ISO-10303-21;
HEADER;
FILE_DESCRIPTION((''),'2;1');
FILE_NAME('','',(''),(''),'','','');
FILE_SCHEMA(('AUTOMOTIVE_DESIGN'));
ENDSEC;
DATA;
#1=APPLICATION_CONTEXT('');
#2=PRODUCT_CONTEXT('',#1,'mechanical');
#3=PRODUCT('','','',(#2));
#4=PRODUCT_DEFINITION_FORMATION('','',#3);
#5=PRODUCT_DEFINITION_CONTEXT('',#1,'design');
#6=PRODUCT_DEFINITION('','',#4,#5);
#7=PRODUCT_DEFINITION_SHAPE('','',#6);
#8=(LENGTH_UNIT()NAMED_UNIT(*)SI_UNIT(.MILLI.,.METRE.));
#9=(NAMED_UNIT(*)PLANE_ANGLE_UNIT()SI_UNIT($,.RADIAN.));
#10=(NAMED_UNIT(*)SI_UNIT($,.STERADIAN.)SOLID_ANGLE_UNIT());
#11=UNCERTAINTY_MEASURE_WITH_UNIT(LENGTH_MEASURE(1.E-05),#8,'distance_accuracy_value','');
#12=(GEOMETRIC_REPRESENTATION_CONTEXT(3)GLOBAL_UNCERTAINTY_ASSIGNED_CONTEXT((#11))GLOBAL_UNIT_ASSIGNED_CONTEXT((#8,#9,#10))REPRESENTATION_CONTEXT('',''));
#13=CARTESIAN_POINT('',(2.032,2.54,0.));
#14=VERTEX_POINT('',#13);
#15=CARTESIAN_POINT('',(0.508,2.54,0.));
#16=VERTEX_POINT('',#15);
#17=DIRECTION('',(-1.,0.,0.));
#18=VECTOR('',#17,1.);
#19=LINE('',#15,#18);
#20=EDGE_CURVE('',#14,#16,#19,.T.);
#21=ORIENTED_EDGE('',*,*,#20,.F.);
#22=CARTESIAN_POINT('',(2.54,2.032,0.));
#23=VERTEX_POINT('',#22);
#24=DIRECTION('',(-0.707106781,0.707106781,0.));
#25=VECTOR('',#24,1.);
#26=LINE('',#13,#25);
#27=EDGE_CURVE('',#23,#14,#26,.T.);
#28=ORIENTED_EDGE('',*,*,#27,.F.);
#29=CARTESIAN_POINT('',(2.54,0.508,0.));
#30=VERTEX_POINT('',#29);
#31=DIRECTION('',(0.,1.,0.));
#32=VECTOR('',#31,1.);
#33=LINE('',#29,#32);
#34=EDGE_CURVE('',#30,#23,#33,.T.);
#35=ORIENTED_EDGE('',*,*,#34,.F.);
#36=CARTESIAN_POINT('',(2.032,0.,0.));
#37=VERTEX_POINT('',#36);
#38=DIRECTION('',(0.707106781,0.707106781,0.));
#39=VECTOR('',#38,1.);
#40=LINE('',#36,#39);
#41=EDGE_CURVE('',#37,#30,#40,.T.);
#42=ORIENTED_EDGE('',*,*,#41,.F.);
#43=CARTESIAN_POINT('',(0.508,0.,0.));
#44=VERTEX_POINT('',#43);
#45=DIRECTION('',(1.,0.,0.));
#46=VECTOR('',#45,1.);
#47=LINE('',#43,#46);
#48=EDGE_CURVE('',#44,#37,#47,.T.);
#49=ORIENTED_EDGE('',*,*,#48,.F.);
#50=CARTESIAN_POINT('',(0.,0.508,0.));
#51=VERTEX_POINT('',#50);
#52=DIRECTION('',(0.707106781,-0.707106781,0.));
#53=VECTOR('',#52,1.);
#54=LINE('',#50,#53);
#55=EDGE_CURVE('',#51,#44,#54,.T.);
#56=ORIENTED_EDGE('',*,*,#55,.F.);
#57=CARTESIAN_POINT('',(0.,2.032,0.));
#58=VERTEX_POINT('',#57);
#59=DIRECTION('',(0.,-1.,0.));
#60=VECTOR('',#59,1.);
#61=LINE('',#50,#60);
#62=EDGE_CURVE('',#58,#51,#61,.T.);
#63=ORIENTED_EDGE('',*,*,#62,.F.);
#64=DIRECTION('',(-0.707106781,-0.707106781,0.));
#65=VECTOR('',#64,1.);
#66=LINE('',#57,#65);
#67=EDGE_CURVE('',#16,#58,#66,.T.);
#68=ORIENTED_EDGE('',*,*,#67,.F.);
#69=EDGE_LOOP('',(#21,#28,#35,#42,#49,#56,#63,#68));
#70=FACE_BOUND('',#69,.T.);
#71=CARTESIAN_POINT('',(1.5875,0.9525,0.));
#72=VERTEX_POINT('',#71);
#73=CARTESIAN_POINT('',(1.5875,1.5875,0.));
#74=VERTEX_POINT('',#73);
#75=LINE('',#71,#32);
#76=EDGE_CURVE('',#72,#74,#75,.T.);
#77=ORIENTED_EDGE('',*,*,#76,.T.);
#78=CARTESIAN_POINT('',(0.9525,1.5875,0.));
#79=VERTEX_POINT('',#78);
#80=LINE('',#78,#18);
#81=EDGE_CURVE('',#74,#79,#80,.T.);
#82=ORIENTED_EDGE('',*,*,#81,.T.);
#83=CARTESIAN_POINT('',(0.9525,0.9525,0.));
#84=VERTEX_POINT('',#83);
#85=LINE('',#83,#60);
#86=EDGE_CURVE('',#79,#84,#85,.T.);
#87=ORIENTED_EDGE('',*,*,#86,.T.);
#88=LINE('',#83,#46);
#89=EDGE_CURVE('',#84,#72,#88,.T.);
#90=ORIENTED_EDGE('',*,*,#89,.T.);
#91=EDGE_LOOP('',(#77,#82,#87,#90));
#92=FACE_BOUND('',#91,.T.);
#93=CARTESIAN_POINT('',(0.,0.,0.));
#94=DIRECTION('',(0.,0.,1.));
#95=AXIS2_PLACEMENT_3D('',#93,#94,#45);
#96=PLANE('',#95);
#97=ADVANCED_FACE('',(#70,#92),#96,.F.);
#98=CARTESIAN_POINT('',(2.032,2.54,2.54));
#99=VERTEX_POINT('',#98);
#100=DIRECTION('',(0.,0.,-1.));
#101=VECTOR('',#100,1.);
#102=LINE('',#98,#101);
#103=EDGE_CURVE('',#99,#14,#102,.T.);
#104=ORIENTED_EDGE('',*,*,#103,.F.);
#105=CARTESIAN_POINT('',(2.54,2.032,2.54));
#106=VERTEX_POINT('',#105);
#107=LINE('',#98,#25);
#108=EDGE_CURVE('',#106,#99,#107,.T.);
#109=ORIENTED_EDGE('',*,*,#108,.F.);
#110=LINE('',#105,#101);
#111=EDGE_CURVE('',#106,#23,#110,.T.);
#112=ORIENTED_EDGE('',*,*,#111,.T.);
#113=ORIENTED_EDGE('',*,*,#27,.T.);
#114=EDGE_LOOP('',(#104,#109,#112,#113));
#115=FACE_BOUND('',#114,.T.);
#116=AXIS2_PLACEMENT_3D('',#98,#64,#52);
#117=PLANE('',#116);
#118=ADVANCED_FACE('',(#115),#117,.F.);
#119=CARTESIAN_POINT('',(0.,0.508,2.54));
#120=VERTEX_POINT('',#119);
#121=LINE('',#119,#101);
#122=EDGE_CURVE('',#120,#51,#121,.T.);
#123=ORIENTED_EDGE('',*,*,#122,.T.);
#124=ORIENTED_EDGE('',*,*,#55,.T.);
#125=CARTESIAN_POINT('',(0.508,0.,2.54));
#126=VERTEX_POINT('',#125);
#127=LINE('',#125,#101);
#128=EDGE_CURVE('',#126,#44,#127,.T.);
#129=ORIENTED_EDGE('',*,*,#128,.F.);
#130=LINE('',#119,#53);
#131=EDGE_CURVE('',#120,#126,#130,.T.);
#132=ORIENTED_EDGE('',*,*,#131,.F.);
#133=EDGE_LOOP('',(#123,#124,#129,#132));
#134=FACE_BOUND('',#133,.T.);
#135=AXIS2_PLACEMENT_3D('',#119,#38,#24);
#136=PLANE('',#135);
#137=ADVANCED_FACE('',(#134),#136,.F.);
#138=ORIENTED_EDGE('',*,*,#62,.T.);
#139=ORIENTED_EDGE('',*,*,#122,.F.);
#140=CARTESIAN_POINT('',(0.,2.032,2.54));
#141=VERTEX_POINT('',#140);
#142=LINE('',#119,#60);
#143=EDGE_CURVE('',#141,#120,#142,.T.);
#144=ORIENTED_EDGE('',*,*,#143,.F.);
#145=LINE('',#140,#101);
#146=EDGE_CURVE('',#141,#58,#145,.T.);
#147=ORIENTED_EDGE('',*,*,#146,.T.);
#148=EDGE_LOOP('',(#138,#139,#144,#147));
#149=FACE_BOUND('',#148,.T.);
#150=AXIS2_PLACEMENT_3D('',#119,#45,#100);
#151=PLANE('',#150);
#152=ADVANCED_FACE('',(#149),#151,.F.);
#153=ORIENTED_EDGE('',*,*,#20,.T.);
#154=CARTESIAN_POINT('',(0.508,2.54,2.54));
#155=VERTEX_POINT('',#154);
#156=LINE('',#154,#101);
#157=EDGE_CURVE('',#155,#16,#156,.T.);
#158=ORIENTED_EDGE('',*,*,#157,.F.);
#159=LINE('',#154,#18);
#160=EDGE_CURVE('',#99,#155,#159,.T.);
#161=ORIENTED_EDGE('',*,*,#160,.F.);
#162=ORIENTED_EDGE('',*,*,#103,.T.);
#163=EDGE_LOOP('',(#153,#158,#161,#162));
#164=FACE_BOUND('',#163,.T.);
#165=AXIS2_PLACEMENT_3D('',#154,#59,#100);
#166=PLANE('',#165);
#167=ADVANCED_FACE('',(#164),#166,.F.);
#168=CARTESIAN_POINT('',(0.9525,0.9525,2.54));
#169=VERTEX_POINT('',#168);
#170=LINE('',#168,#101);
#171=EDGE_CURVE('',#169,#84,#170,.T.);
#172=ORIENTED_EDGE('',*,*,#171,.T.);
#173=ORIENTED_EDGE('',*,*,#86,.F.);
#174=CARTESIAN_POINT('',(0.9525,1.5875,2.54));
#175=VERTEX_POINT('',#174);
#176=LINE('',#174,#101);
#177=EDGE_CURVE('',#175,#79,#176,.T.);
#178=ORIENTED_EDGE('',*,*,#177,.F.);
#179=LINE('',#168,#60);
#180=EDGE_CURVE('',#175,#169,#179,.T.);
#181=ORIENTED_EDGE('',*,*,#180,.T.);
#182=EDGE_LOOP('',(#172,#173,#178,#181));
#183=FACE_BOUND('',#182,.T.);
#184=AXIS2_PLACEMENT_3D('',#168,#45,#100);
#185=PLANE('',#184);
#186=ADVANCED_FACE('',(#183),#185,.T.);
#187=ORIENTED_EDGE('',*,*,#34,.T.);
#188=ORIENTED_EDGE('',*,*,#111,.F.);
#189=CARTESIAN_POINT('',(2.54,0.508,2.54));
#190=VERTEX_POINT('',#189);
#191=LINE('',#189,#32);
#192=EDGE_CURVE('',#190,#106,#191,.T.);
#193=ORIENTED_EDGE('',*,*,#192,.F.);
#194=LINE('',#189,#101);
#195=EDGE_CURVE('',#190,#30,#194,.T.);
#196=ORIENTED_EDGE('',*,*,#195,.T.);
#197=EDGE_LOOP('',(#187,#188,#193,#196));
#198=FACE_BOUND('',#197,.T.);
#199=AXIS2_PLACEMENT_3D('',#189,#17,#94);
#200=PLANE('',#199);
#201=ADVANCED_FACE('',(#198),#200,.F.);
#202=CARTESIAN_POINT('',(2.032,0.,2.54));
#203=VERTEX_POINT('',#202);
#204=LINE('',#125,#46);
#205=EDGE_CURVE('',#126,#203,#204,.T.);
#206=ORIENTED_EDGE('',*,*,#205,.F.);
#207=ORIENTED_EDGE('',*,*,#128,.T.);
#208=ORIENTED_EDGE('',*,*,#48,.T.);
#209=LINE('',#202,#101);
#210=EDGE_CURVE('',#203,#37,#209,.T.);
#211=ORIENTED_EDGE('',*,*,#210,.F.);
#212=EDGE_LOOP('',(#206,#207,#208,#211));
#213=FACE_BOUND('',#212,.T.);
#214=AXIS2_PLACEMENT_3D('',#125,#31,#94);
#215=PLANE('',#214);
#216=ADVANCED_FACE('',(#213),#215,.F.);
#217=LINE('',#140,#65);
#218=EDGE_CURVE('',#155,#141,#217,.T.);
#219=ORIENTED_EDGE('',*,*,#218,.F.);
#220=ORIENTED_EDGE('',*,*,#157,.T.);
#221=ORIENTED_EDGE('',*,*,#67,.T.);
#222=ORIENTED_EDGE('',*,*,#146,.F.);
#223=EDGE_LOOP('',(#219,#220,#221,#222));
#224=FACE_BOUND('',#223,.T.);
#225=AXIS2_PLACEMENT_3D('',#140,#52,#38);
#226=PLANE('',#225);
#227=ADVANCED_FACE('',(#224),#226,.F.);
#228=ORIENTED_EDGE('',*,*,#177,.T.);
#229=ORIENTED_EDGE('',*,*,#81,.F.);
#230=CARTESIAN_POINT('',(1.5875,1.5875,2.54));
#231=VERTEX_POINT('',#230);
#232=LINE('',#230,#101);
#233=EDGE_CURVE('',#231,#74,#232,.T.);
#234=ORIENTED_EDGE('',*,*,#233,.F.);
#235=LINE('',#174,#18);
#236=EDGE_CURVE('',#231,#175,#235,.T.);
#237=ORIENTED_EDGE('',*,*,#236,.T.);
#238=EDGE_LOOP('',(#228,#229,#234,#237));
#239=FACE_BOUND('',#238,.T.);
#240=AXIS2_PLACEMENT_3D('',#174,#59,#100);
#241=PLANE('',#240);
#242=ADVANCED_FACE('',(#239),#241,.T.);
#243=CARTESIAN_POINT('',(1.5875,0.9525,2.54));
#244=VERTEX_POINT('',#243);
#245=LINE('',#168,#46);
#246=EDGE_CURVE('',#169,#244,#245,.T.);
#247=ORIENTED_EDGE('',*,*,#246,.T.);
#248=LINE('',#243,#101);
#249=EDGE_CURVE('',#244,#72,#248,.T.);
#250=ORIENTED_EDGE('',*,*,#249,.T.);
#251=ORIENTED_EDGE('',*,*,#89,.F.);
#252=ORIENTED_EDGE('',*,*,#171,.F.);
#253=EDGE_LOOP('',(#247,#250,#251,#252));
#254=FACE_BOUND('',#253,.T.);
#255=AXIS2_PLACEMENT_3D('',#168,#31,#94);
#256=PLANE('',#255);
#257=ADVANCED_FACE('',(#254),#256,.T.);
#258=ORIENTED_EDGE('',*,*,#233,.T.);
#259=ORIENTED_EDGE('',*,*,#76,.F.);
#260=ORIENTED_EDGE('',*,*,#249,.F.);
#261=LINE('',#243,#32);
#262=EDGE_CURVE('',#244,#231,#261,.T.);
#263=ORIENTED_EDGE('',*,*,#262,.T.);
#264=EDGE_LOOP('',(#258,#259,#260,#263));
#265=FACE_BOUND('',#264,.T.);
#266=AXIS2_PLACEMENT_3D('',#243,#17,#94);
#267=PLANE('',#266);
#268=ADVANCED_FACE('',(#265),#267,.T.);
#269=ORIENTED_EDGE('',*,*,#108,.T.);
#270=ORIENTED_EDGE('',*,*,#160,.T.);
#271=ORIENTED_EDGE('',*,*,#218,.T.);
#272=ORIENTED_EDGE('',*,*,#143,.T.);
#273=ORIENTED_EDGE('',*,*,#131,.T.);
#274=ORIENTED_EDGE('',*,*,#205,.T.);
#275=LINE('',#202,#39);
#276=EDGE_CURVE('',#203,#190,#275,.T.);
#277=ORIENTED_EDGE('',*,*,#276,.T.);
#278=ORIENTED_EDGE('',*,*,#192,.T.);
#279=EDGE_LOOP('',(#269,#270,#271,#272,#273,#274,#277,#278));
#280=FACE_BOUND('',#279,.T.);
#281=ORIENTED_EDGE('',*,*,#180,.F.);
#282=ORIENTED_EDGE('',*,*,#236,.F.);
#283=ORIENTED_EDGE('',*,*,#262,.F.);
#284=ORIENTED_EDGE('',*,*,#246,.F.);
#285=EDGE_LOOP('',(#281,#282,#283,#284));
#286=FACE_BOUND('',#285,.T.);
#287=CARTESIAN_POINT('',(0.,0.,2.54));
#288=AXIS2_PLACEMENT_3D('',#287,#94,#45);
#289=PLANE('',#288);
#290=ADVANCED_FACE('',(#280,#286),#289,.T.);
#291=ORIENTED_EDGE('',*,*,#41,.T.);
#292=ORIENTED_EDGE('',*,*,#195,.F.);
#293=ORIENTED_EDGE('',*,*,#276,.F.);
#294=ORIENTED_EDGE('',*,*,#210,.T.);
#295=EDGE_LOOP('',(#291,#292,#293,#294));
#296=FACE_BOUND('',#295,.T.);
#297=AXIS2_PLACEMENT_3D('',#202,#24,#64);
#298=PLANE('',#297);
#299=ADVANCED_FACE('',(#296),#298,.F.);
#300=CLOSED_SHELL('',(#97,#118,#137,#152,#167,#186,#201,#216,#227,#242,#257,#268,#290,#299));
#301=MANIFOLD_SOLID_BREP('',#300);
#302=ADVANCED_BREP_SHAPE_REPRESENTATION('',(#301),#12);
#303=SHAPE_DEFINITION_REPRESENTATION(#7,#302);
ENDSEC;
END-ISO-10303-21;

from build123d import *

# Parameters (mm, degrees)
SKETCH1_W           = 0.635
SKETCH1_H           = 0.635
BOSS_EXTRUDE1_DEPTH = 2.54


with BuildPart() as part:
    # Sketch1 → Boss-Extrude1 (new body)
    with BuildSketch(Plane.XY):
        Polygon((2.032, 2.54), (2.54, 2.032), (2.54, 0.508), (2.032, 0), (0.508, 0), (0, 0.508), (0, 2.032), (0.508, 2.54), align=None)
        with Locations((1.27, 1.27)):
            Rectangle(SKETCH1_W, SKETCH1_H, mode=Mode.SUBTRACT)
    extrude(amount=BOSS_EXTRUDE1_DEPTH)


solid = part.part
